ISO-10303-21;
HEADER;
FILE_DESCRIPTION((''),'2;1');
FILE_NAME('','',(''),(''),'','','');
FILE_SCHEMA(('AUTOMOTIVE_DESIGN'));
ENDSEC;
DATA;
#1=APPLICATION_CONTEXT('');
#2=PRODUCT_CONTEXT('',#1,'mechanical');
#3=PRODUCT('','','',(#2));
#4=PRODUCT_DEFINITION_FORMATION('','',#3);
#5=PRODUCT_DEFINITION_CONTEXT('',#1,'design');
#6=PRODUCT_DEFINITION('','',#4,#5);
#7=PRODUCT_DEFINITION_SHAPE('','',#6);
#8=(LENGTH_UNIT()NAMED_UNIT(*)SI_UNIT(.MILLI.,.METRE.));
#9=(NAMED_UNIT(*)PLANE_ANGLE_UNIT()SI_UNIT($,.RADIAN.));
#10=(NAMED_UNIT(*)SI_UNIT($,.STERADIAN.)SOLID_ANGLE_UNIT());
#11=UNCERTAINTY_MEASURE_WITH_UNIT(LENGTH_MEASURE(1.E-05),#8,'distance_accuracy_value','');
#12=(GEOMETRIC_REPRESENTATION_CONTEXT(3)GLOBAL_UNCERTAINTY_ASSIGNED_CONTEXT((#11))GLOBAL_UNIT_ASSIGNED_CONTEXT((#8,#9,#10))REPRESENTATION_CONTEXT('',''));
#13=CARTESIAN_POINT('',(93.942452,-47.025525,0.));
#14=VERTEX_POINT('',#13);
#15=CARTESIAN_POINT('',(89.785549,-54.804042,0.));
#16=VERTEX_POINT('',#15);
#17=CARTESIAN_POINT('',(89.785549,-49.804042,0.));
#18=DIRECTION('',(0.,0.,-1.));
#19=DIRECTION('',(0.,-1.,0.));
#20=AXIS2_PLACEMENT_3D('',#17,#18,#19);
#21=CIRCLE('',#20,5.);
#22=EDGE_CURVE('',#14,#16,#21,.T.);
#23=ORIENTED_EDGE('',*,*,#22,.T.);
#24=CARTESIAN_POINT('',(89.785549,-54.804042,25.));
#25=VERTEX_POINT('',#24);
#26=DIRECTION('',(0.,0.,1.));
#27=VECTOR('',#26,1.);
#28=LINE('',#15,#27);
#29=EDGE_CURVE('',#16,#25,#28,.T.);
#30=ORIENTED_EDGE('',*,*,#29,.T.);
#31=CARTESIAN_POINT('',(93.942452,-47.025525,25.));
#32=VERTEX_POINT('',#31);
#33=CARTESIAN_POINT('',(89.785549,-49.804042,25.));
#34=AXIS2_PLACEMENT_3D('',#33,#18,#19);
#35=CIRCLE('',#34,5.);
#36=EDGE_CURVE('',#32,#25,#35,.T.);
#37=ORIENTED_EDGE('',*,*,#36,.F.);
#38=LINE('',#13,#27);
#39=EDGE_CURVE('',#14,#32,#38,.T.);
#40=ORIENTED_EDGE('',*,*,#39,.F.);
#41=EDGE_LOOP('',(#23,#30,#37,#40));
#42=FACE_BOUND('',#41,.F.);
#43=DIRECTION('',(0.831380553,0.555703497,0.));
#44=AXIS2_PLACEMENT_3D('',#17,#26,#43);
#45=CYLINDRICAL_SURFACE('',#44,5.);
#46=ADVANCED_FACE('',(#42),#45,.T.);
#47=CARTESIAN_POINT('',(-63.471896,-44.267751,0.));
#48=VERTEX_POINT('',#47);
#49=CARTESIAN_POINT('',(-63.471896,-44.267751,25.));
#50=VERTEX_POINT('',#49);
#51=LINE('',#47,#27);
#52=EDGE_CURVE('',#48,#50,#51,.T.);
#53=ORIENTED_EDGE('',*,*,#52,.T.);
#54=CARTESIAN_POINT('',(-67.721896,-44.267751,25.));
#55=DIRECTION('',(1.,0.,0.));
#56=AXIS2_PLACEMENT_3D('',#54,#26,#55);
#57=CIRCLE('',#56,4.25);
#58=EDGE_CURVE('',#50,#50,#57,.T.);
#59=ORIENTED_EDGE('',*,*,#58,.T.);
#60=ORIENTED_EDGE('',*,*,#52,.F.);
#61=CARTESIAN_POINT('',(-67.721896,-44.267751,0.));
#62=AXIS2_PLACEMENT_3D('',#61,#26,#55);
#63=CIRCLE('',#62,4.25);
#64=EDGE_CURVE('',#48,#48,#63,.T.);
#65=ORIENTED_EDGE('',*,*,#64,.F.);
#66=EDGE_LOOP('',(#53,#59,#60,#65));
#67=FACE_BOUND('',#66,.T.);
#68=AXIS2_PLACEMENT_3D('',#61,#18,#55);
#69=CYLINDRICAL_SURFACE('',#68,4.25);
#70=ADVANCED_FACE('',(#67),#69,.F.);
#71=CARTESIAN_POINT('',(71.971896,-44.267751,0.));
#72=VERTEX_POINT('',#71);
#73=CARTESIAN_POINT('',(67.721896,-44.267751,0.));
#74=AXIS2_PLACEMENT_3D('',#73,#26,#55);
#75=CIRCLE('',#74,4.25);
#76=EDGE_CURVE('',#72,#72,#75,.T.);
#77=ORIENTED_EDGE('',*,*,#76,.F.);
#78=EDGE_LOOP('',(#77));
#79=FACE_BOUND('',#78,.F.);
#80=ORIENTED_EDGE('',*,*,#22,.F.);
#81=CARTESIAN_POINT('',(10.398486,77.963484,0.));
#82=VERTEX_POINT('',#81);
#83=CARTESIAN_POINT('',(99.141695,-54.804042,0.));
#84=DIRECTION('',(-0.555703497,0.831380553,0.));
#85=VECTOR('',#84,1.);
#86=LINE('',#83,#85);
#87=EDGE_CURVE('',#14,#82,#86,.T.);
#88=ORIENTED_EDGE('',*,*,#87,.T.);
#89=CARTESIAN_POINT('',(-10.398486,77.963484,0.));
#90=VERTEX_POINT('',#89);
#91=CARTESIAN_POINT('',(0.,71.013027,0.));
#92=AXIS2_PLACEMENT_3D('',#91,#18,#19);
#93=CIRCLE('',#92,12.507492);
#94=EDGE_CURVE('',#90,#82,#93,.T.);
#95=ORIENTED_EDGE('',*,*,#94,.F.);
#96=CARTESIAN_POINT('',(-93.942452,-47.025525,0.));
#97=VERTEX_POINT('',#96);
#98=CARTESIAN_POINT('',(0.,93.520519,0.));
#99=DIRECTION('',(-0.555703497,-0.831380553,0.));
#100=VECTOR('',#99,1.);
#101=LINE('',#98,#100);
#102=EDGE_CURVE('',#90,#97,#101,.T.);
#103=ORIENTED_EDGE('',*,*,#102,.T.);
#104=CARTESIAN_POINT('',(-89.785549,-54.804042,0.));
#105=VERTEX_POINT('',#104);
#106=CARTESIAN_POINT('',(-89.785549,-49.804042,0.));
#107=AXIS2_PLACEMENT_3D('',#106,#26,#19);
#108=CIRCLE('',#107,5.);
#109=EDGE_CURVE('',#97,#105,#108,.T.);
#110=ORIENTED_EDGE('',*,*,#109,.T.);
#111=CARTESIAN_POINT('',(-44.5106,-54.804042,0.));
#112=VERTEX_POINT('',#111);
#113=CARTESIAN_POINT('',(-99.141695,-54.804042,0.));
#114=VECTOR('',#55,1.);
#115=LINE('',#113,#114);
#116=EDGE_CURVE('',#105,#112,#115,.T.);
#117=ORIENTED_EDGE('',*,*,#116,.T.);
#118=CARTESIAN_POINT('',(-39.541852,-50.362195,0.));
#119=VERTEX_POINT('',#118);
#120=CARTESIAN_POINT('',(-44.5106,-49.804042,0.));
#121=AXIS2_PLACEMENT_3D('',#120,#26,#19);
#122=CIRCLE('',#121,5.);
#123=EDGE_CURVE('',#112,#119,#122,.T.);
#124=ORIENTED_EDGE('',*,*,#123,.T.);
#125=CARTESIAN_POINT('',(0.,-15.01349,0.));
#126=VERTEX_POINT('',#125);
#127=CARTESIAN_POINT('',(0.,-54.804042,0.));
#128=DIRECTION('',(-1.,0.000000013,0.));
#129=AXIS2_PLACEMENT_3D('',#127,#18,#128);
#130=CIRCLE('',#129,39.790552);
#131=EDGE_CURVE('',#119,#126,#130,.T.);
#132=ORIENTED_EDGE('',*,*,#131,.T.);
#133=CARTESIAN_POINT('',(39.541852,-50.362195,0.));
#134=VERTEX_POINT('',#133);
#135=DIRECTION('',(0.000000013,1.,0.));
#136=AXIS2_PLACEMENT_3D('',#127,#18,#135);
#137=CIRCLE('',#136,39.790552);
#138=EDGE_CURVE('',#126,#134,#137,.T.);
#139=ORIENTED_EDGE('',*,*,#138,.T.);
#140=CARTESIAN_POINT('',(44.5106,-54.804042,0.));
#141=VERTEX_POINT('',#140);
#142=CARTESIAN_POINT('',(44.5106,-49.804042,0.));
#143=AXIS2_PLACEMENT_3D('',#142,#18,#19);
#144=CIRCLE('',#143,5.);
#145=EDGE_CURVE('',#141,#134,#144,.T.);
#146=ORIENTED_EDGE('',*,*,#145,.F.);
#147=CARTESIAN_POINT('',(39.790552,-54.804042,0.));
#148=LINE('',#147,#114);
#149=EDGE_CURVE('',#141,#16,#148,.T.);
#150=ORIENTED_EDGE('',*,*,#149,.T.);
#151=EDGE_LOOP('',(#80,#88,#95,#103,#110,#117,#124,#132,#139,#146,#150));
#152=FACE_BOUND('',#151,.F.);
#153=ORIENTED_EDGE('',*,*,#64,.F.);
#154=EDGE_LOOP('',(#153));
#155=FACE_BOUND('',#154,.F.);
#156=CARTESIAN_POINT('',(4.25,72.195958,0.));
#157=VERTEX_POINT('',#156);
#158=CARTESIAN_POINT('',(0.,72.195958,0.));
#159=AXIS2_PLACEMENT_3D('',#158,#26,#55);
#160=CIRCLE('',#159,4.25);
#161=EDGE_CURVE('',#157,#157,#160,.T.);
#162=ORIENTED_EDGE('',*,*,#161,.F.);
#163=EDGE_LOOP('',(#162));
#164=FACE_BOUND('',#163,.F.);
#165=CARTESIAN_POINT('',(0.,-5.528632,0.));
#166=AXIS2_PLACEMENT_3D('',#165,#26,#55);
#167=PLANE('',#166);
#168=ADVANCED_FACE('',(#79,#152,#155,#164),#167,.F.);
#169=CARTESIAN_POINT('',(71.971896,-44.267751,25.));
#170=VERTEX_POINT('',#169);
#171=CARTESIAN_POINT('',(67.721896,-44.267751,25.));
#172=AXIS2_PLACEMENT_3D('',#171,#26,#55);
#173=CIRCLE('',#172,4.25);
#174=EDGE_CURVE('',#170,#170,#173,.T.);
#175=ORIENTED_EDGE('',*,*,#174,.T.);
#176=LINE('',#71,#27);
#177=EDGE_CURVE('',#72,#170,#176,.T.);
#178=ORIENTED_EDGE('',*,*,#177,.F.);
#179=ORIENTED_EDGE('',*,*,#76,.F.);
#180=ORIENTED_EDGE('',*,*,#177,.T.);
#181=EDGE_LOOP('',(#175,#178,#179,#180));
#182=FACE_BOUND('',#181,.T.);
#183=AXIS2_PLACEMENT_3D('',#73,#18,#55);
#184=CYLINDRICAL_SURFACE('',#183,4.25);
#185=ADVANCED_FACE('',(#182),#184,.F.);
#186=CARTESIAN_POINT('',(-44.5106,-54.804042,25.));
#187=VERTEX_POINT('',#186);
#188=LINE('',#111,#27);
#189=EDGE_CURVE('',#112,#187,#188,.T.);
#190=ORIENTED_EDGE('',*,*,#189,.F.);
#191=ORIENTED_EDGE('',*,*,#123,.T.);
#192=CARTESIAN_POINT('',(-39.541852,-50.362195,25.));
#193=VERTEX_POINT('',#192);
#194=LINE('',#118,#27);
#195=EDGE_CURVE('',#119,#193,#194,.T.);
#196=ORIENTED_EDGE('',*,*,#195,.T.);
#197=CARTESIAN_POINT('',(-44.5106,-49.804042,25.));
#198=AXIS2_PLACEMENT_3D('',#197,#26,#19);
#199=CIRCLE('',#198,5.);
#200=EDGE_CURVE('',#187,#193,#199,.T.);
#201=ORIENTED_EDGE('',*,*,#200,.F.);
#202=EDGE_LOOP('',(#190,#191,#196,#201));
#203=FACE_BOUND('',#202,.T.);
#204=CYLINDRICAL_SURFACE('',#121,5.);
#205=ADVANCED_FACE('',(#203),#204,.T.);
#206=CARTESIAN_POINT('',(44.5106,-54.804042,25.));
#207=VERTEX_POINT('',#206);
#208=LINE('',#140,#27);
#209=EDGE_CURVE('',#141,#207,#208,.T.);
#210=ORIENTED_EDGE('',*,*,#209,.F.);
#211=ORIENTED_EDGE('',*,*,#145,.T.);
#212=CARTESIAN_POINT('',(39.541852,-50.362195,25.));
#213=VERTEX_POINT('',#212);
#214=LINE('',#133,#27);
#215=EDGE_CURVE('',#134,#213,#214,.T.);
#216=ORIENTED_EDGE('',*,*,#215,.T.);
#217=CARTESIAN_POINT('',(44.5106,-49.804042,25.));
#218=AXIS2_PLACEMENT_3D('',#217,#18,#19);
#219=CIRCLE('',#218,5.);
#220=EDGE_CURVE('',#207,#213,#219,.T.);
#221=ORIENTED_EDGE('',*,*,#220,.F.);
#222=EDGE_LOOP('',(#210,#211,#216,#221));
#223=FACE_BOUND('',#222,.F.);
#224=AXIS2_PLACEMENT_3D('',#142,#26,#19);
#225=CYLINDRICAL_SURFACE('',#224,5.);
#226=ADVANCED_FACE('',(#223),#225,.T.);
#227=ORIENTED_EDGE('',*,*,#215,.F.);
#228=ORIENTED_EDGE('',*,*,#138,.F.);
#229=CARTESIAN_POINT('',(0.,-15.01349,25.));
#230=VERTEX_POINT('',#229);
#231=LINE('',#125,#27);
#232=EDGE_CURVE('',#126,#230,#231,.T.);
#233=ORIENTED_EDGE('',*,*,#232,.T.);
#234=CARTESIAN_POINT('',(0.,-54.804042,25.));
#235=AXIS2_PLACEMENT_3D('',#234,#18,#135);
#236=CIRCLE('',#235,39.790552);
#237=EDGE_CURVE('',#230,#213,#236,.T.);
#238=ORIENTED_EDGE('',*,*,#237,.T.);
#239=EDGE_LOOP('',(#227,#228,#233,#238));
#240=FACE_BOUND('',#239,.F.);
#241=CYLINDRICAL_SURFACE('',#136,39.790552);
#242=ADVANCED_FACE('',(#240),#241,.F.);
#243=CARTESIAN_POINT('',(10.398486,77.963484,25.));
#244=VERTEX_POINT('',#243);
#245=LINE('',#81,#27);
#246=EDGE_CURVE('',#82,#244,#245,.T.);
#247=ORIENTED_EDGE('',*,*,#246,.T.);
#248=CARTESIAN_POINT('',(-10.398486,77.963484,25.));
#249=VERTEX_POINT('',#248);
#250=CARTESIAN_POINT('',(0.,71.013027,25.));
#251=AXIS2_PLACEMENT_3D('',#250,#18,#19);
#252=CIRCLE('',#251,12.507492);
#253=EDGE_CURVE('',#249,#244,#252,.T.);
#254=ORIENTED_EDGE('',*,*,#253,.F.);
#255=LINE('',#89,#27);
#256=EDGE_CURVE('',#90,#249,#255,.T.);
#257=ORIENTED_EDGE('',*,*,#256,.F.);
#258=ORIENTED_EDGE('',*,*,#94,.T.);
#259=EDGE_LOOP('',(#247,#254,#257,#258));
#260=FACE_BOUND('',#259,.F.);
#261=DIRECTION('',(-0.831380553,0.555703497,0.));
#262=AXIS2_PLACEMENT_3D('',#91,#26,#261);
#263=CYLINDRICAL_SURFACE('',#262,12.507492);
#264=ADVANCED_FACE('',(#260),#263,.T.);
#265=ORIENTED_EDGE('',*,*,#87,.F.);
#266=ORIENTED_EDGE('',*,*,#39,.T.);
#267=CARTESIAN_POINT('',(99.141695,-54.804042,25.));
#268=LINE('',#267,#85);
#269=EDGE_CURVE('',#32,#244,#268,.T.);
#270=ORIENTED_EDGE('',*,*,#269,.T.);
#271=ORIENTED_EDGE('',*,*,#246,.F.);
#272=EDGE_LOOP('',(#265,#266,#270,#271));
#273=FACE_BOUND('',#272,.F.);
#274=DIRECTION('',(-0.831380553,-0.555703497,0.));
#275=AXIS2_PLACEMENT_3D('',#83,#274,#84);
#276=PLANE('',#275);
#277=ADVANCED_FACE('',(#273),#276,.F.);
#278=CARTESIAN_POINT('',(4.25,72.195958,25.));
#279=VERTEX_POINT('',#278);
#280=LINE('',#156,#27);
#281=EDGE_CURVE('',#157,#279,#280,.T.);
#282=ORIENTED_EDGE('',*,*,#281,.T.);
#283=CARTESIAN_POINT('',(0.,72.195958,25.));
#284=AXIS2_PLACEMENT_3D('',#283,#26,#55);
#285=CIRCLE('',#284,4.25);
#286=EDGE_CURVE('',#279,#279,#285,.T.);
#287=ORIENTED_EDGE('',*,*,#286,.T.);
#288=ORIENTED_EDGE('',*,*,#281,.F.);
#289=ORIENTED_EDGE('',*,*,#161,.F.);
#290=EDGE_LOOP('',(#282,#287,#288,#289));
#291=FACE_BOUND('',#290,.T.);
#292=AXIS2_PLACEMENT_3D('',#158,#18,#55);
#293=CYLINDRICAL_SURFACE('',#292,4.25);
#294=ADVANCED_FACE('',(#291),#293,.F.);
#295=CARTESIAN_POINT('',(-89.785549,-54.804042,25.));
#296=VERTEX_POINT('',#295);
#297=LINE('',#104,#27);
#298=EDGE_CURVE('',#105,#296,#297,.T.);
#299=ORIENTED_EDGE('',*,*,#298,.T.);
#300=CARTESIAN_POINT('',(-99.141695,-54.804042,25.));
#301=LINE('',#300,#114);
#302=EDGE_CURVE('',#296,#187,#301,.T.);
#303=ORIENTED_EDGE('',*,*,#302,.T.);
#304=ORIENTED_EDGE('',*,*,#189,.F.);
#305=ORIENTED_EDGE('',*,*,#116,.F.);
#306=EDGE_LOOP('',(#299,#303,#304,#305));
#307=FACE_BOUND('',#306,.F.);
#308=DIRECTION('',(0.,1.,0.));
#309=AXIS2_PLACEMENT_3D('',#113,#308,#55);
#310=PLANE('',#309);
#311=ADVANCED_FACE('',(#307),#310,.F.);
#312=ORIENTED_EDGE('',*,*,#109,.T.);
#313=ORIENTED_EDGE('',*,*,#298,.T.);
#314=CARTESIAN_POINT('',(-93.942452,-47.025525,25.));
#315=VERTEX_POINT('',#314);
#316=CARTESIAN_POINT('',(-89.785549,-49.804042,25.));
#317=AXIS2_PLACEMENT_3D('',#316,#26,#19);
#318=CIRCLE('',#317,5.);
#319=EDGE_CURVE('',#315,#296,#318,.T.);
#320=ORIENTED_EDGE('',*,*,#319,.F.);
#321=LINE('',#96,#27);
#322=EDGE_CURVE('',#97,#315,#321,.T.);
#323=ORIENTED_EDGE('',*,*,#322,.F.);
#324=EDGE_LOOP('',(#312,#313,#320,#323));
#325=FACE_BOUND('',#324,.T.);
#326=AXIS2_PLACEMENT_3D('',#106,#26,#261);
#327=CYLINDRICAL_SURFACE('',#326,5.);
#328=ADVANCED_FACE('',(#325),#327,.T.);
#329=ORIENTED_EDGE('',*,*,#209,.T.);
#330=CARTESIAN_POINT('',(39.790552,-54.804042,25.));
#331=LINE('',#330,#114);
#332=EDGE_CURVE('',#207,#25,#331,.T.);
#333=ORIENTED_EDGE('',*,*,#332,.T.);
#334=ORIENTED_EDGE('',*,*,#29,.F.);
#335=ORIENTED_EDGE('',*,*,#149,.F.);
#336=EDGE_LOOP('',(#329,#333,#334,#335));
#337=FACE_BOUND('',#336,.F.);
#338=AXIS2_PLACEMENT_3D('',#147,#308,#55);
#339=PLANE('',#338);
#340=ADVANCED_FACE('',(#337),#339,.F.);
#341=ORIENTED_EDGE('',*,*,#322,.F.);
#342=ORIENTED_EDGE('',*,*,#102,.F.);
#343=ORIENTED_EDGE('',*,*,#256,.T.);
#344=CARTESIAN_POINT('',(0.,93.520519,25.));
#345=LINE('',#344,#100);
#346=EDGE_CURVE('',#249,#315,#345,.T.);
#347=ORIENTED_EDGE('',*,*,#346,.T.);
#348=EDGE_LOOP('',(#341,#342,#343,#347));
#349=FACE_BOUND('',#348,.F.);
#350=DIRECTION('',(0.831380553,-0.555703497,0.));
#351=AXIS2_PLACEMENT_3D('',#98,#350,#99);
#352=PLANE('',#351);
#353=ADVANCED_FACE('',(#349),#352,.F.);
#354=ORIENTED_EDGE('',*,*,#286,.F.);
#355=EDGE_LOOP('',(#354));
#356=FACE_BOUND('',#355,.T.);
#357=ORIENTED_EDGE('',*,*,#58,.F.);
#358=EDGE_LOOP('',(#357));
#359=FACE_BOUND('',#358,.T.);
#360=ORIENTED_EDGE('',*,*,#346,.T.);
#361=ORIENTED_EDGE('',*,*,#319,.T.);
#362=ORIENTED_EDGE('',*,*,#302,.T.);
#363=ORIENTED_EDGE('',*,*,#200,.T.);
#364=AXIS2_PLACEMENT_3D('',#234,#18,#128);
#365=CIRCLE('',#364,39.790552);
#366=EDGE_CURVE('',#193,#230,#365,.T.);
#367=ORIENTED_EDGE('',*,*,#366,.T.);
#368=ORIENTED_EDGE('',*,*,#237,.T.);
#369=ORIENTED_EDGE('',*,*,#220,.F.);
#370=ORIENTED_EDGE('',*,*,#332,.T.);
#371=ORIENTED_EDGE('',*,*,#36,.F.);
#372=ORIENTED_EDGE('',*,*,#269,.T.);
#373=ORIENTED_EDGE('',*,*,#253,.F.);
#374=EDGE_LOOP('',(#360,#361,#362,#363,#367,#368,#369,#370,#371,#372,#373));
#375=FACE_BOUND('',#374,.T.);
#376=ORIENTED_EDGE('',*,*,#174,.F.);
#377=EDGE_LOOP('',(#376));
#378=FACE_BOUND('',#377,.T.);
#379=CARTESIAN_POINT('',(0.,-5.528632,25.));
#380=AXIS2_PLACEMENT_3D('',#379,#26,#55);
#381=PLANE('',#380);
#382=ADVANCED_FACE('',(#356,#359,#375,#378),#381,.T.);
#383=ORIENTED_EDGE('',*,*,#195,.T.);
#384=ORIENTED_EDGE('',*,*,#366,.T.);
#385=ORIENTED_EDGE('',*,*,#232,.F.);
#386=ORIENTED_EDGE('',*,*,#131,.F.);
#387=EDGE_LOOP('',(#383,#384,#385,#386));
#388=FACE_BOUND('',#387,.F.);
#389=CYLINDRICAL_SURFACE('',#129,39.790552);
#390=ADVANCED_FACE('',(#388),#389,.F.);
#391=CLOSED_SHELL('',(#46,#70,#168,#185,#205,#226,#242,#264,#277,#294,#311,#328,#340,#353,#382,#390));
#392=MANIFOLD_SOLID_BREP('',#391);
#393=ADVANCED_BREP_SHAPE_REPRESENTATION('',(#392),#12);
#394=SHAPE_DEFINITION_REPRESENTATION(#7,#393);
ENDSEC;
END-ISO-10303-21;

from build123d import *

# Parameters (mm, degrees)
F0_R     = 4.25
F1_DEPTH = 25
F2_R     = 12.507492
F3_R     = 5


with BuildPart() as f1:
    # F0 (on Top) → F1 (new body)
    with BuildSketch(Plane.XY):
        with BuildLine():
            Line((0, 93.520519), (-99.141695, -54.804042))
            Line((-99.141695, -54.804042), (-39.790552, -54.804042))
            ThreePointArc((-39.790552, -54.804042), (-28.136169, -26.667873), (0, -15.01349))
            ThreePointArc((0, -15.01349), (28.136169, -26.667873), (39.790552, -54.804042))
            Line((39.790552, -54.804042), (99.141695, -54.804042))
            Line((99.141695, -54.804042), (0, 93.520519))
        make_face()
        with Locations((-67.721896, -44.267751)):
            Circle(F0_R, mode=Mode.SUBTRACT)
        with Locations((67.721896, -44.267751)):
            Circle(F0_R, mode=Mode.SUBTRACT)
        with Locations((0, 72.195958)):
            Circle(F0_R, mode=Mode.SUBTRACT)
    extrude(amount=F1_DEPTH)

    # F2
    f2_edges = [f1.edges().sort_by_distance(p)[0] for p in [
        (0, 93.520519, 12.5),
    ]]
    fillet(f2_edges, radius=F2_R)

    # F3
    f3_edges = [f1.edges().sort_by_distance(p)[0] for p in [
        (-39.790552, -54.804042, 12.5),
        (39.790552, -54.804042, 12.5),
        (99.141695, -54.804042, 12.5),
        (-99.141695, -54.804042, 12.5),
    ]]
    fillet(f3_edges, radius=F3_R)


solid = f1.part
